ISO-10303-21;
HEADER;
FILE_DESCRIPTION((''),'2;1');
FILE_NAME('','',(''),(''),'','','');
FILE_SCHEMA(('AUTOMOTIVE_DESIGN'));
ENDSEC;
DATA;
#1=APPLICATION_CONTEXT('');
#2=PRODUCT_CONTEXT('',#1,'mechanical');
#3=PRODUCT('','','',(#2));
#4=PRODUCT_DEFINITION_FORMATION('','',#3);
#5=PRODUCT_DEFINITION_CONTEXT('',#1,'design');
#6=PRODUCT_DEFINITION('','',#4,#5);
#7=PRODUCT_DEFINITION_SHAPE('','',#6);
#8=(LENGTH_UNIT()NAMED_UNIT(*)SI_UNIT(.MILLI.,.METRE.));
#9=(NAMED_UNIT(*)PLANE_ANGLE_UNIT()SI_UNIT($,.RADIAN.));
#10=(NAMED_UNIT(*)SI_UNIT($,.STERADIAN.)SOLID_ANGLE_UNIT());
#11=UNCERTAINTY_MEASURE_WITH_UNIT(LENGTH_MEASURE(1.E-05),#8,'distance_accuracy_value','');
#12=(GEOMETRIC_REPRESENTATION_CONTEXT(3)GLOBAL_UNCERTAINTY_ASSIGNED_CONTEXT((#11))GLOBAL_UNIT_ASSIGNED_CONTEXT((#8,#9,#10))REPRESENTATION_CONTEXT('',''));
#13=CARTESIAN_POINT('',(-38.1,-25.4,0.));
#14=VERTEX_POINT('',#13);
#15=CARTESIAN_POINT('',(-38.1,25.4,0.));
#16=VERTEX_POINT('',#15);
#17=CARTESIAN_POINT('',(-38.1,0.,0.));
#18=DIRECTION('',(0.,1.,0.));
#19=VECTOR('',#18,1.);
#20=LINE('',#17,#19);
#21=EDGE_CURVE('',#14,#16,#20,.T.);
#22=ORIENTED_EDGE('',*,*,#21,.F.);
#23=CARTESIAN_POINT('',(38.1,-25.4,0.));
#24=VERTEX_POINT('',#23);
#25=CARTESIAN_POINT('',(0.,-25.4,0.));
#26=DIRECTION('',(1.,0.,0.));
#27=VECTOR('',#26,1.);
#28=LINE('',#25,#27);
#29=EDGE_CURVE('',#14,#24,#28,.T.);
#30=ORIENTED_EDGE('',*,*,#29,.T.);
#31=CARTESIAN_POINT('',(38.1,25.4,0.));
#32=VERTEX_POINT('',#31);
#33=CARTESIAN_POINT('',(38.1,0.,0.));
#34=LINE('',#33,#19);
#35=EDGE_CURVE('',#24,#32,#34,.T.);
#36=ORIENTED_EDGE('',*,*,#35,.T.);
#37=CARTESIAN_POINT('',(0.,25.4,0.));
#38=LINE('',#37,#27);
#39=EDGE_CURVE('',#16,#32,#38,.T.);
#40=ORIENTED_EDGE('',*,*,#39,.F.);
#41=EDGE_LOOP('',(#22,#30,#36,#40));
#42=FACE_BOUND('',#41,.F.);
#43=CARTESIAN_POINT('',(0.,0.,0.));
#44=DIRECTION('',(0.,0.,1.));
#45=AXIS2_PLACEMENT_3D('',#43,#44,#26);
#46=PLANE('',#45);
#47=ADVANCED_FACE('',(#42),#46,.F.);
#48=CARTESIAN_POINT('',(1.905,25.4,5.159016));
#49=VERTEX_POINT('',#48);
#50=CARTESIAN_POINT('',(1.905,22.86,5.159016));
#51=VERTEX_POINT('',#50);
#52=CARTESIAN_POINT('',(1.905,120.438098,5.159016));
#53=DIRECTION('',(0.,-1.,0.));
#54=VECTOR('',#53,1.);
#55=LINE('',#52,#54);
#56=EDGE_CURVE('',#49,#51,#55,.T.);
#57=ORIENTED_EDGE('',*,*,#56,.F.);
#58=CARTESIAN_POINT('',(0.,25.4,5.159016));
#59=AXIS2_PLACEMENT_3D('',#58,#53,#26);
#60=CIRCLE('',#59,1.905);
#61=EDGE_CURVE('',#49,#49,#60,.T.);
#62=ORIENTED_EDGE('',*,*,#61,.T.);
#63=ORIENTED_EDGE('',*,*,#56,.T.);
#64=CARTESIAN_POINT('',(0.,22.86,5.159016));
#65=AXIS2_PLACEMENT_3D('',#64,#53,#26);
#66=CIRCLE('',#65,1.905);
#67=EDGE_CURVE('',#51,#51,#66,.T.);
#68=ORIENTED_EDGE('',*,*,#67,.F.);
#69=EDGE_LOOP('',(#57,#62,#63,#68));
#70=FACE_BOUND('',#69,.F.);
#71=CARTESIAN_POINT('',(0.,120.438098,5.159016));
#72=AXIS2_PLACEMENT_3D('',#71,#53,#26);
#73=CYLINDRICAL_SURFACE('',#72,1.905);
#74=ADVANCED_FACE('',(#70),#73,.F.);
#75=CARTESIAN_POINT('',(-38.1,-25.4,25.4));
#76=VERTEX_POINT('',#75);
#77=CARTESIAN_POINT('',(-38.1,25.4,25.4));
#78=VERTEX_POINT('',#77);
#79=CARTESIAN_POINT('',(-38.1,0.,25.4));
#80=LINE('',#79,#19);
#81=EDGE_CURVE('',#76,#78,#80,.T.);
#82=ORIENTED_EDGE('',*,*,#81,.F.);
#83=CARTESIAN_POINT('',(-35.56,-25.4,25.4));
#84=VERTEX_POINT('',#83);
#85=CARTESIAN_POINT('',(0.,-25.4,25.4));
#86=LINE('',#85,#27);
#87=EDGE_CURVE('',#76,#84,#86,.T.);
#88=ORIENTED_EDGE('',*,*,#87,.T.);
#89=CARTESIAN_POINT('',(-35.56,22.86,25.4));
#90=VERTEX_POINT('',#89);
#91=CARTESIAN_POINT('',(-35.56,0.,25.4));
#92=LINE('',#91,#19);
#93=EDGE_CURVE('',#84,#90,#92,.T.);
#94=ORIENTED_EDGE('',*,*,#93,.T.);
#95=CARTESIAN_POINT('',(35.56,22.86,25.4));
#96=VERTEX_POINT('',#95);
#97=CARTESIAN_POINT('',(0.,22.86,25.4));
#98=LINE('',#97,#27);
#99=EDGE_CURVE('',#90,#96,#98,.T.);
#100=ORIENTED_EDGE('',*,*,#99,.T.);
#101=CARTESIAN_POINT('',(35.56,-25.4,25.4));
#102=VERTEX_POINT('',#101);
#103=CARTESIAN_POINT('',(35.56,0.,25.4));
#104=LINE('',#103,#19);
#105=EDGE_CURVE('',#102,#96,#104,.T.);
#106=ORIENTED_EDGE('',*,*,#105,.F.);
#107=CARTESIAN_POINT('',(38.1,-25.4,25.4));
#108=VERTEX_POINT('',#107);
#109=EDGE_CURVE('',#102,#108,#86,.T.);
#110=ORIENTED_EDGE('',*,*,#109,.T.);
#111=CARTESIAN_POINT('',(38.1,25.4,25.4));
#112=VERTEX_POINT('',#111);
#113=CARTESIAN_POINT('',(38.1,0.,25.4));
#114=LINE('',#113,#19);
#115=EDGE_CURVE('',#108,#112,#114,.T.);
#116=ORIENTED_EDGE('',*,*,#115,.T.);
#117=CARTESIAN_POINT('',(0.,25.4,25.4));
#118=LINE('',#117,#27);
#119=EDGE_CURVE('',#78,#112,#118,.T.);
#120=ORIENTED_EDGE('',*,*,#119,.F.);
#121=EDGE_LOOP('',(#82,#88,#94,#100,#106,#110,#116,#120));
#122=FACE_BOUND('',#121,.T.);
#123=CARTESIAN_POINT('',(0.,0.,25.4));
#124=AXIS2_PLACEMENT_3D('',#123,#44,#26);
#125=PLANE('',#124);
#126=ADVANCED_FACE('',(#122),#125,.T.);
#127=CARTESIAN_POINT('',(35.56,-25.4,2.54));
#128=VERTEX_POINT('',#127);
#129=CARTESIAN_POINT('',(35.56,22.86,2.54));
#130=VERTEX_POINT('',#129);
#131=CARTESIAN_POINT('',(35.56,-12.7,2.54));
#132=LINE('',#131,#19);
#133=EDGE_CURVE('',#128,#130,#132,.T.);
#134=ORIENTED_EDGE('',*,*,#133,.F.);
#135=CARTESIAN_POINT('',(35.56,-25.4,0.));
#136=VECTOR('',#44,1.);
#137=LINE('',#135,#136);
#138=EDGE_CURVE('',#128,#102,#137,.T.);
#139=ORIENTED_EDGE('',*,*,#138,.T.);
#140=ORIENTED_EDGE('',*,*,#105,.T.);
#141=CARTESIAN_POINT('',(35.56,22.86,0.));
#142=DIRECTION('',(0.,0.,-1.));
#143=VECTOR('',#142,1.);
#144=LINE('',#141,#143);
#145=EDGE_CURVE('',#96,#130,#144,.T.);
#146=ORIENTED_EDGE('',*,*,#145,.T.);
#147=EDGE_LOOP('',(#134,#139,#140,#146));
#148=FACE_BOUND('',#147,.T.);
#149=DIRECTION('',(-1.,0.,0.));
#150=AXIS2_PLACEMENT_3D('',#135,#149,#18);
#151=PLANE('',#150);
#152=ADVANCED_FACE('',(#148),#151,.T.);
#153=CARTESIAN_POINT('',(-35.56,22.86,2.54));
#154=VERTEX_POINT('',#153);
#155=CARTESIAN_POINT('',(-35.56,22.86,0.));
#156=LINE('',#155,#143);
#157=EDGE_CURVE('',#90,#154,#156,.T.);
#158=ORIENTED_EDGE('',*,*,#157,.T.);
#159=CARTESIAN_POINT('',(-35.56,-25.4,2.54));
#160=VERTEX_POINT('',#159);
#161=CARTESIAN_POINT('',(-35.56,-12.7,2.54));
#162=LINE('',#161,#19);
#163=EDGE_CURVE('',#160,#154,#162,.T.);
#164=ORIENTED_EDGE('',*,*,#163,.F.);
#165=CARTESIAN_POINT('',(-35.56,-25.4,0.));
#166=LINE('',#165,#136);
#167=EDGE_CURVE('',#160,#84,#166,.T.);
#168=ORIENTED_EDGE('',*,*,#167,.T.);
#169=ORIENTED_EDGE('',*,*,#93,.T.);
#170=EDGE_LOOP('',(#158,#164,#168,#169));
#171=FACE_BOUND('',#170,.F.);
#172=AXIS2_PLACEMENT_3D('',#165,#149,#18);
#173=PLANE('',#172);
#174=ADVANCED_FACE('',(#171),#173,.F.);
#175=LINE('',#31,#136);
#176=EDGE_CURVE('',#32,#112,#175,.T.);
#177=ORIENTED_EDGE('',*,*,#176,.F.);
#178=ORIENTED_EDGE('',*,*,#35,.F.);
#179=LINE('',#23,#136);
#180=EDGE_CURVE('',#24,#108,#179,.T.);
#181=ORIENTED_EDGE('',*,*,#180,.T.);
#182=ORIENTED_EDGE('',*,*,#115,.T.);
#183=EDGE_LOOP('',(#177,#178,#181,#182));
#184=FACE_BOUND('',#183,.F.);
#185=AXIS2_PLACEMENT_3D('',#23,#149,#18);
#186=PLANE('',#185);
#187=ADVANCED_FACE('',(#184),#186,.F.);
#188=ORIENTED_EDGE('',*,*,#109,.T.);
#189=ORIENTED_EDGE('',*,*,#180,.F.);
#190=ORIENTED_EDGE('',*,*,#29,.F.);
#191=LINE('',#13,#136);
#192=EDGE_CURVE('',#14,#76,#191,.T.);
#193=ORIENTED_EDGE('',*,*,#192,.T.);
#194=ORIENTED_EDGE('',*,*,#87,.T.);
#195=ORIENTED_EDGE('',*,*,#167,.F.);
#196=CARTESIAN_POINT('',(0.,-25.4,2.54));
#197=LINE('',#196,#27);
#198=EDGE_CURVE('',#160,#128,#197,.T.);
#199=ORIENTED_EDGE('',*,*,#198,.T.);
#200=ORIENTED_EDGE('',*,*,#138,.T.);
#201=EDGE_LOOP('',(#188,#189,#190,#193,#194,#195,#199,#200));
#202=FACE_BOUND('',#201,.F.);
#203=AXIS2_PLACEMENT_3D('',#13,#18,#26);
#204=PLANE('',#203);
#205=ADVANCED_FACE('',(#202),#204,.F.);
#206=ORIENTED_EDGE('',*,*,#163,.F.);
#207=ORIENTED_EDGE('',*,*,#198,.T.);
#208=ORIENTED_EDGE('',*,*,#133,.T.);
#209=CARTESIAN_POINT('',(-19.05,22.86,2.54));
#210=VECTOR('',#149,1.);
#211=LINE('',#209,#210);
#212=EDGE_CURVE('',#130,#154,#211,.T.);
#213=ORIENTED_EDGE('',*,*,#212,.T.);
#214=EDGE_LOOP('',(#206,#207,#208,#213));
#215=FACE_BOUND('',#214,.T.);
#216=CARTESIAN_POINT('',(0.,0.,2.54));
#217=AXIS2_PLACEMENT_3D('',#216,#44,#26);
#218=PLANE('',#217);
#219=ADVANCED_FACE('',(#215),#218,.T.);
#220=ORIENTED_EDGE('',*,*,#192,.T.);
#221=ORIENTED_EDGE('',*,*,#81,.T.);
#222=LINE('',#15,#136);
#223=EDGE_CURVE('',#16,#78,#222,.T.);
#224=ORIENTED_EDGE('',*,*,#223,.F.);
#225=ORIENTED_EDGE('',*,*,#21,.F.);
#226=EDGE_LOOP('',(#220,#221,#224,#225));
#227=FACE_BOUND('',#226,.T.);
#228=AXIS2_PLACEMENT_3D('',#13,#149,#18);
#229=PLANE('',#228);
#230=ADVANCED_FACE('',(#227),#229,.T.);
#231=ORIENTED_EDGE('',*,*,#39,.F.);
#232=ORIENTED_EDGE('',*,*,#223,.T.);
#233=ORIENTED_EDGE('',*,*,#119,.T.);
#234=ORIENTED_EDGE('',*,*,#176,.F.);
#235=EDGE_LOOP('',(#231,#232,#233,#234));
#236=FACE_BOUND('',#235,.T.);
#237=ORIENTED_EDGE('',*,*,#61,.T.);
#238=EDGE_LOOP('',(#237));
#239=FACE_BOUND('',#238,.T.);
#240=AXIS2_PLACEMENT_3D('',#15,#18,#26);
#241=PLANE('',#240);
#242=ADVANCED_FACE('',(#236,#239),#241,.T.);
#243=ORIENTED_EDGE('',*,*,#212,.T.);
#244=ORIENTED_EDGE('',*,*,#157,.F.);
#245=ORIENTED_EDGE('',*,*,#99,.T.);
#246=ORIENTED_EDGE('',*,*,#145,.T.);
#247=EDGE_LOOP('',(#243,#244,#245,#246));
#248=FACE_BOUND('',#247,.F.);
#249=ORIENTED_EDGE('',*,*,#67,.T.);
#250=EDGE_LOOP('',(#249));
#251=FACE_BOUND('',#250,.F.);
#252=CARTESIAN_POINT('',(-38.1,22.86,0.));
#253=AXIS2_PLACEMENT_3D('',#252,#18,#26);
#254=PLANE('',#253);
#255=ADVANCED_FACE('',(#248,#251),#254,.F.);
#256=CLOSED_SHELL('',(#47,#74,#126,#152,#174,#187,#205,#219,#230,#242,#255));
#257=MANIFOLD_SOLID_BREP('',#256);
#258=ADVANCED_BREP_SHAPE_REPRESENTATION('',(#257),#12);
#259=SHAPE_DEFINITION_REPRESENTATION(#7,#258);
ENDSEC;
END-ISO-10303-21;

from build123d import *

# Parameters (mm, degrees)
F0_W     = 76.2
F0_H     = 50.8
F1_DEPTH = 25.4
F2_T     = -2.54
F4_D     = 3.81


with BuildPart() as f1:
    # F0 (on Top) → F1 (new body)
    with BuildSketch(Plane.XY):
        Rectangle(F0_W, F0_H)
    extrude(amount=F1_DEPTH)

    # F2
    f2_openings = [f1.faces().sort_by_distance(p)[0] for p in [
        (0, 0, 25.4),
        (0, -25.4, 12.7),
    ]]
    offset(amount=F2_T, openings=f2_openings)

    # F4 (through all)
    with Locations(Plane(origin=(0, 25.4, 0), x_dir=(-1, 0, 0), z_dir=(0, 1, 0))):
        with Locations((0, 5.159016)):
            Hole(F4_D / 2)


solid = f1.part
